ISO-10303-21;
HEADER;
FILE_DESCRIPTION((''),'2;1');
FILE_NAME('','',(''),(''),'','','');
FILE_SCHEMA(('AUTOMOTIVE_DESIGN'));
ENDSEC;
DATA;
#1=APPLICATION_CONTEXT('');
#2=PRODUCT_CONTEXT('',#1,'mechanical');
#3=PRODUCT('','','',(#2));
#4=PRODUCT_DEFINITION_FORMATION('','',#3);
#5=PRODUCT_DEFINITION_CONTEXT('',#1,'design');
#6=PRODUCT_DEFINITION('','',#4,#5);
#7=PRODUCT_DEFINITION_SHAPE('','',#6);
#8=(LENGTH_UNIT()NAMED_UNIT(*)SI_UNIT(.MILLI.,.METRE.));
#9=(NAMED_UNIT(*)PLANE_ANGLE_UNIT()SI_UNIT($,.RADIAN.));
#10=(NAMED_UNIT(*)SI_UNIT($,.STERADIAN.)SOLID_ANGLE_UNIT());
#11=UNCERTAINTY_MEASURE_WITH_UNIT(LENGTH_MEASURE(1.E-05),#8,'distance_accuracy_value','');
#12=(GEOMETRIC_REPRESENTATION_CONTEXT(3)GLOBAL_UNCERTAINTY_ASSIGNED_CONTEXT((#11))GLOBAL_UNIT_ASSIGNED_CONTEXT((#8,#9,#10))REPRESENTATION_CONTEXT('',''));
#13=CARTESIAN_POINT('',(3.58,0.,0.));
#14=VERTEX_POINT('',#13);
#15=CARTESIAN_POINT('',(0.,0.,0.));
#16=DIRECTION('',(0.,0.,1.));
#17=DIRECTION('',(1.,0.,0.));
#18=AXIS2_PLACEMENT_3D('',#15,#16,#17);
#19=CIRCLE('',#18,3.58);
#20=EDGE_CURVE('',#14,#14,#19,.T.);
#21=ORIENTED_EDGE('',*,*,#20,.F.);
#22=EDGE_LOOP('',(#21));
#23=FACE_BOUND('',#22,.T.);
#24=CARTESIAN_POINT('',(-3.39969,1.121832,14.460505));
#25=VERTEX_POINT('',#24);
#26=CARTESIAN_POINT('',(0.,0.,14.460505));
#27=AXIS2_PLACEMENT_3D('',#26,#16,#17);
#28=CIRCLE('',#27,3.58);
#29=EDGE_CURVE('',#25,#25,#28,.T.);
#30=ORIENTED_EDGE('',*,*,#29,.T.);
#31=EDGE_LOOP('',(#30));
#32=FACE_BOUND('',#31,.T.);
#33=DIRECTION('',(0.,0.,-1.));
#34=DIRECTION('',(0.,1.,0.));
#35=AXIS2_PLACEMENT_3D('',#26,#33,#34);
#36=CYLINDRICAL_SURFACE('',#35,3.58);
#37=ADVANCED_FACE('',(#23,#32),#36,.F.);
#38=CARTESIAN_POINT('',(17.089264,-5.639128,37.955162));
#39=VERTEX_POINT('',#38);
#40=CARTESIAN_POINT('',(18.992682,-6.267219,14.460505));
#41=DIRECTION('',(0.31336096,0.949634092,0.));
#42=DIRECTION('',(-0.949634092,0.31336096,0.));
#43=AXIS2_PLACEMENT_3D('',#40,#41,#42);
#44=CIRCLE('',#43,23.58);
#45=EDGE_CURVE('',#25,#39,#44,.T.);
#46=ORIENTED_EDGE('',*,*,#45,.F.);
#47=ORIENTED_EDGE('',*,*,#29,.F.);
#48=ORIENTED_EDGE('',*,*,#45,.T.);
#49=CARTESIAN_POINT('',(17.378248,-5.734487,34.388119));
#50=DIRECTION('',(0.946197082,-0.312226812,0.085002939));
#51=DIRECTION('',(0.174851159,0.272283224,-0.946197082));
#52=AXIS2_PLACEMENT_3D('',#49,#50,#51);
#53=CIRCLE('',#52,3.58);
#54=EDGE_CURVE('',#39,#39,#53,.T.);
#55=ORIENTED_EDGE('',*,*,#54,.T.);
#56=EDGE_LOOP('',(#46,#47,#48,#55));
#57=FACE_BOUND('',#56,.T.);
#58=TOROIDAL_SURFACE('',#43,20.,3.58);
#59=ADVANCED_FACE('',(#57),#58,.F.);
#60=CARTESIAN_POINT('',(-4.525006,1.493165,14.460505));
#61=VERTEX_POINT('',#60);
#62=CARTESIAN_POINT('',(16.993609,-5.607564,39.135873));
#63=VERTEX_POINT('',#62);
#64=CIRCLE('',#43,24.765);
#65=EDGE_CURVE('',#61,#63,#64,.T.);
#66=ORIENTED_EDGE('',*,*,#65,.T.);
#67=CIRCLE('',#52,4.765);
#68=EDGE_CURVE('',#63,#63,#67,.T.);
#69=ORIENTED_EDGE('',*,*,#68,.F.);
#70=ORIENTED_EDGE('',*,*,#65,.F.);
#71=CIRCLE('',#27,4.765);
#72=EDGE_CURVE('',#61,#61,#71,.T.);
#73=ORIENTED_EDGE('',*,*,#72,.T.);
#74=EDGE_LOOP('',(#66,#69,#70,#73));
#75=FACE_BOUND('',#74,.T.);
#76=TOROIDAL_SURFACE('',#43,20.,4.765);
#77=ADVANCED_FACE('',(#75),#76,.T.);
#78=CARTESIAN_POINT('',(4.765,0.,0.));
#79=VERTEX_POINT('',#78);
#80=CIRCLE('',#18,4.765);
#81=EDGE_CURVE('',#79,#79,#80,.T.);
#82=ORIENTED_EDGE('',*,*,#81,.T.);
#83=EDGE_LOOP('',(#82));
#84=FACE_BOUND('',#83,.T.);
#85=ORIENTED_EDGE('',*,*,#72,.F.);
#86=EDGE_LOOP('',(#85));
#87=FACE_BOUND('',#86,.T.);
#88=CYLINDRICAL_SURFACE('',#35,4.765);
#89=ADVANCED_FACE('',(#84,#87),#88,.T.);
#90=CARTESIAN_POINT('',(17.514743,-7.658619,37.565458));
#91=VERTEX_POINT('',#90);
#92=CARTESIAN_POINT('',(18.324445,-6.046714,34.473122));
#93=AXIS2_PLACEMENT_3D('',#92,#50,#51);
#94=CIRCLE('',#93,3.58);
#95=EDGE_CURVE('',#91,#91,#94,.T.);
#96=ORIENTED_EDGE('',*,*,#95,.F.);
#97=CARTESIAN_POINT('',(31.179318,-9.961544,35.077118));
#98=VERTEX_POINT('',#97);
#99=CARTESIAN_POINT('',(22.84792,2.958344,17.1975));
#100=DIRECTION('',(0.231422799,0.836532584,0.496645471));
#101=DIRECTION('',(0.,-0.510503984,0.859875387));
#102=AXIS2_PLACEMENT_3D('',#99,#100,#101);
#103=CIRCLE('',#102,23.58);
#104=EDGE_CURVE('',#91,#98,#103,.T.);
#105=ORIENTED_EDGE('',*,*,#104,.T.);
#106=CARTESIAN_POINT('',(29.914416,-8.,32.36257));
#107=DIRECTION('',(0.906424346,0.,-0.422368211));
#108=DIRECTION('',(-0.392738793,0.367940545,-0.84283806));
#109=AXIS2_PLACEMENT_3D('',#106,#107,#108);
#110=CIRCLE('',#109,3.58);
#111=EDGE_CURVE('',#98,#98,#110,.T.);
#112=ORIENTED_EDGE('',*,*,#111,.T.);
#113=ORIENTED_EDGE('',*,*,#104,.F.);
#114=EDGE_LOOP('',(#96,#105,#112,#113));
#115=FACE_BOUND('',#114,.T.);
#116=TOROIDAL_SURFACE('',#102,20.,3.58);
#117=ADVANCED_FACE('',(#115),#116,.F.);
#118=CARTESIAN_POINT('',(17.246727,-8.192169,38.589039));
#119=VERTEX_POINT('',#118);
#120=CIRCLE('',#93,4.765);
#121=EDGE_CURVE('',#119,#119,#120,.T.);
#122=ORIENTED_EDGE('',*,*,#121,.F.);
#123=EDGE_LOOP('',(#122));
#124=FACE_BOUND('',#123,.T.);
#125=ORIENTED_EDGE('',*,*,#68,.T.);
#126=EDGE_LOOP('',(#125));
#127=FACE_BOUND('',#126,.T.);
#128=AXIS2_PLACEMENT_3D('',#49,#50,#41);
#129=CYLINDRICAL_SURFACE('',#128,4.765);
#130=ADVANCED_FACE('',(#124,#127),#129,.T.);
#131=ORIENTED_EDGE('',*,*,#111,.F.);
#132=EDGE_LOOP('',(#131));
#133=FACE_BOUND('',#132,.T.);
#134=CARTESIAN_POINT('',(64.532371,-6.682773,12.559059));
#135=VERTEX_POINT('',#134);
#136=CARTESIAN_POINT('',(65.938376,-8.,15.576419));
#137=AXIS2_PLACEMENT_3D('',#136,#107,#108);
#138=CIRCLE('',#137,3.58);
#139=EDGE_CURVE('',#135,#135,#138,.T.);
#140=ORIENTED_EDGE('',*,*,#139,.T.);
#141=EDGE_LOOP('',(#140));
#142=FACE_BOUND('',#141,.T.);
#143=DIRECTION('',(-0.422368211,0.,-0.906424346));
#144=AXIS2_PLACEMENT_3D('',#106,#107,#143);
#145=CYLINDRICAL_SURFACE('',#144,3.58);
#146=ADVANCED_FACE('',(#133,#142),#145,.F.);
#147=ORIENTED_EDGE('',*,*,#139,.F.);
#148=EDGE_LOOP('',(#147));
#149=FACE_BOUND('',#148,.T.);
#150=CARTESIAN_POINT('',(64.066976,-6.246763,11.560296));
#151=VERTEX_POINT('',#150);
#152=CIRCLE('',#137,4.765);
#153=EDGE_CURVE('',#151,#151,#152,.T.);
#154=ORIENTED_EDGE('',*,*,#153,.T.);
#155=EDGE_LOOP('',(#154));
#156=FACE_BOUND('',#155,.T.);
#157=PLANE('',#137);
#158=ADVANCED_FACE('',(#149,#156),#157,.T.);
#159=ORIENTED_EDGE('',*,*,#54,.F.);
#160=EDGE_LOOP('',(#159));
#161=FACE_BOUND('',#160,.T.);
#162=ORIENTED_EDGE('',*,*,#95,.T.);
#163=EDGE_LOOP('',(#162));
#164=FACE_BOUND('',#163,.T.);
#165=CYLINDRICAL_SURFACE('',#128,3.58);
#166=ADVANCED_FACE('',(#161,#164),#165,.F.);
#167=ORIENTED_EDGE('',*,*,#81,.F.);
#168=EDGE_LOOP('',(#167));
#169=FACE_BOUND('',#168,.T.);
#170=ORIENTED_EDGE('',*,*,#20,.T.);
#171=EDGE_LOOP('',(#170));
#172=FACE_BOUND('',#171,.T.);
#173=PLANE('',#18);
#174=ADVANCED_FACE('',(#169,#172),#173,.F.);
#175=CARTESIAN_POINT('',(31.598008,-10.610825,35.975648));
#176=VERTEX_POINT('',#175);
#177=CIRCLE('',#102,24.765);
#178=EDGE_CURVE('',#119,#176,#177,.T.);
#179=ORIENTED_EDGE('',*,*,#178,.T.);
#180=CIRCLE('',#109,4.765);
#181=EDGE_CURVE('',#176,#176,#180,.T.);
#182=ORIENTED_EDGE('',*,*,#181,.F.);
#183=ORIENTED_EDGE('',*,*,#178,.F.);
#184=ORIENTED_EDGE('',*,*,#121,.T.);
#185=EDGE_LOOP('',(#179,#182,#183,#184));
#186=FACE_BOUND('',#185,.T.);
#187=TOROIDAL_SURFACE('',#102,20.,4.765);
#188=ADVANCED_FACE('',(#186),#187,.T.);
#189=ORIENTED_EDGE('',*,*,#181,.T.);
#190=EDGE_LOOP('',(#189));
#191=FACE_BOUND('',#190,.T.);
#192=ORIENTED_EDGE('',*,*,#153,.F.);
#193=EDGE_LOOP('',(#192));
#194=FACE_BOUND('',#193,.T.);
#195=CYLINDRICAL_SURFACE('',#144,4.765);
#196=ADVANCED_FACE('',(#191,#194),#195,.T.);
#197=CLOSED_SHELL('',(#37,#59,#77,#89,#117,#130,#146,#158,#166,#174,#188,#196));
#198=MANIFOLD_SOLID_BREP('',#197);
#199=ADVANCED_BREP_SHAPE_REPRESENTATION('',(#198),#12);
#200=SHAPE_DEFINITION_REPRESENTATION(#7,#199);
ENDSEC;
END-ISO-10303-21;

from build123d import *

# Parameters (mm, degrees)
SKETCH_1_R   = 4.765
SKETCH_1_R_2 = 3.58


with BuildPart() as part:
    # По траектории1: sweep along a curve in space
    with BuildLine() as sweep_1_path:
        Line((0, 0, 0), (0, 0, 14.460504946))
        ThreePointArc((17.378248064, -5.734487139, 34.388118956), (5.003679185, -1.651117755, 27.988232477), (0, 0, 14.460504946))
        Line((18.324445146, -6.046713952, 34.473121895), (17.378248064, -5.734487139, 34.388118956))
        ThreePointArc((29.914415781, -8, 32.362570038), (24.180183472, -7.500284638, 34.192857359), (18.324445146, -6.046713952, 34.473121895))
        Line((29.914415781, -8, 32.362570038), (65.938376067, -8, 15.576419335))
    # Эскиз1 → По траектории1 (sweep)
    with BuildSketch(Plane.XY):
        Circle(SKETCH_1_R)
        Circle(SKETCH_1_R_2, mode=Mode.SUBTRACT)
    sweep(path=sweep_1_path.line)


solid = part.part
